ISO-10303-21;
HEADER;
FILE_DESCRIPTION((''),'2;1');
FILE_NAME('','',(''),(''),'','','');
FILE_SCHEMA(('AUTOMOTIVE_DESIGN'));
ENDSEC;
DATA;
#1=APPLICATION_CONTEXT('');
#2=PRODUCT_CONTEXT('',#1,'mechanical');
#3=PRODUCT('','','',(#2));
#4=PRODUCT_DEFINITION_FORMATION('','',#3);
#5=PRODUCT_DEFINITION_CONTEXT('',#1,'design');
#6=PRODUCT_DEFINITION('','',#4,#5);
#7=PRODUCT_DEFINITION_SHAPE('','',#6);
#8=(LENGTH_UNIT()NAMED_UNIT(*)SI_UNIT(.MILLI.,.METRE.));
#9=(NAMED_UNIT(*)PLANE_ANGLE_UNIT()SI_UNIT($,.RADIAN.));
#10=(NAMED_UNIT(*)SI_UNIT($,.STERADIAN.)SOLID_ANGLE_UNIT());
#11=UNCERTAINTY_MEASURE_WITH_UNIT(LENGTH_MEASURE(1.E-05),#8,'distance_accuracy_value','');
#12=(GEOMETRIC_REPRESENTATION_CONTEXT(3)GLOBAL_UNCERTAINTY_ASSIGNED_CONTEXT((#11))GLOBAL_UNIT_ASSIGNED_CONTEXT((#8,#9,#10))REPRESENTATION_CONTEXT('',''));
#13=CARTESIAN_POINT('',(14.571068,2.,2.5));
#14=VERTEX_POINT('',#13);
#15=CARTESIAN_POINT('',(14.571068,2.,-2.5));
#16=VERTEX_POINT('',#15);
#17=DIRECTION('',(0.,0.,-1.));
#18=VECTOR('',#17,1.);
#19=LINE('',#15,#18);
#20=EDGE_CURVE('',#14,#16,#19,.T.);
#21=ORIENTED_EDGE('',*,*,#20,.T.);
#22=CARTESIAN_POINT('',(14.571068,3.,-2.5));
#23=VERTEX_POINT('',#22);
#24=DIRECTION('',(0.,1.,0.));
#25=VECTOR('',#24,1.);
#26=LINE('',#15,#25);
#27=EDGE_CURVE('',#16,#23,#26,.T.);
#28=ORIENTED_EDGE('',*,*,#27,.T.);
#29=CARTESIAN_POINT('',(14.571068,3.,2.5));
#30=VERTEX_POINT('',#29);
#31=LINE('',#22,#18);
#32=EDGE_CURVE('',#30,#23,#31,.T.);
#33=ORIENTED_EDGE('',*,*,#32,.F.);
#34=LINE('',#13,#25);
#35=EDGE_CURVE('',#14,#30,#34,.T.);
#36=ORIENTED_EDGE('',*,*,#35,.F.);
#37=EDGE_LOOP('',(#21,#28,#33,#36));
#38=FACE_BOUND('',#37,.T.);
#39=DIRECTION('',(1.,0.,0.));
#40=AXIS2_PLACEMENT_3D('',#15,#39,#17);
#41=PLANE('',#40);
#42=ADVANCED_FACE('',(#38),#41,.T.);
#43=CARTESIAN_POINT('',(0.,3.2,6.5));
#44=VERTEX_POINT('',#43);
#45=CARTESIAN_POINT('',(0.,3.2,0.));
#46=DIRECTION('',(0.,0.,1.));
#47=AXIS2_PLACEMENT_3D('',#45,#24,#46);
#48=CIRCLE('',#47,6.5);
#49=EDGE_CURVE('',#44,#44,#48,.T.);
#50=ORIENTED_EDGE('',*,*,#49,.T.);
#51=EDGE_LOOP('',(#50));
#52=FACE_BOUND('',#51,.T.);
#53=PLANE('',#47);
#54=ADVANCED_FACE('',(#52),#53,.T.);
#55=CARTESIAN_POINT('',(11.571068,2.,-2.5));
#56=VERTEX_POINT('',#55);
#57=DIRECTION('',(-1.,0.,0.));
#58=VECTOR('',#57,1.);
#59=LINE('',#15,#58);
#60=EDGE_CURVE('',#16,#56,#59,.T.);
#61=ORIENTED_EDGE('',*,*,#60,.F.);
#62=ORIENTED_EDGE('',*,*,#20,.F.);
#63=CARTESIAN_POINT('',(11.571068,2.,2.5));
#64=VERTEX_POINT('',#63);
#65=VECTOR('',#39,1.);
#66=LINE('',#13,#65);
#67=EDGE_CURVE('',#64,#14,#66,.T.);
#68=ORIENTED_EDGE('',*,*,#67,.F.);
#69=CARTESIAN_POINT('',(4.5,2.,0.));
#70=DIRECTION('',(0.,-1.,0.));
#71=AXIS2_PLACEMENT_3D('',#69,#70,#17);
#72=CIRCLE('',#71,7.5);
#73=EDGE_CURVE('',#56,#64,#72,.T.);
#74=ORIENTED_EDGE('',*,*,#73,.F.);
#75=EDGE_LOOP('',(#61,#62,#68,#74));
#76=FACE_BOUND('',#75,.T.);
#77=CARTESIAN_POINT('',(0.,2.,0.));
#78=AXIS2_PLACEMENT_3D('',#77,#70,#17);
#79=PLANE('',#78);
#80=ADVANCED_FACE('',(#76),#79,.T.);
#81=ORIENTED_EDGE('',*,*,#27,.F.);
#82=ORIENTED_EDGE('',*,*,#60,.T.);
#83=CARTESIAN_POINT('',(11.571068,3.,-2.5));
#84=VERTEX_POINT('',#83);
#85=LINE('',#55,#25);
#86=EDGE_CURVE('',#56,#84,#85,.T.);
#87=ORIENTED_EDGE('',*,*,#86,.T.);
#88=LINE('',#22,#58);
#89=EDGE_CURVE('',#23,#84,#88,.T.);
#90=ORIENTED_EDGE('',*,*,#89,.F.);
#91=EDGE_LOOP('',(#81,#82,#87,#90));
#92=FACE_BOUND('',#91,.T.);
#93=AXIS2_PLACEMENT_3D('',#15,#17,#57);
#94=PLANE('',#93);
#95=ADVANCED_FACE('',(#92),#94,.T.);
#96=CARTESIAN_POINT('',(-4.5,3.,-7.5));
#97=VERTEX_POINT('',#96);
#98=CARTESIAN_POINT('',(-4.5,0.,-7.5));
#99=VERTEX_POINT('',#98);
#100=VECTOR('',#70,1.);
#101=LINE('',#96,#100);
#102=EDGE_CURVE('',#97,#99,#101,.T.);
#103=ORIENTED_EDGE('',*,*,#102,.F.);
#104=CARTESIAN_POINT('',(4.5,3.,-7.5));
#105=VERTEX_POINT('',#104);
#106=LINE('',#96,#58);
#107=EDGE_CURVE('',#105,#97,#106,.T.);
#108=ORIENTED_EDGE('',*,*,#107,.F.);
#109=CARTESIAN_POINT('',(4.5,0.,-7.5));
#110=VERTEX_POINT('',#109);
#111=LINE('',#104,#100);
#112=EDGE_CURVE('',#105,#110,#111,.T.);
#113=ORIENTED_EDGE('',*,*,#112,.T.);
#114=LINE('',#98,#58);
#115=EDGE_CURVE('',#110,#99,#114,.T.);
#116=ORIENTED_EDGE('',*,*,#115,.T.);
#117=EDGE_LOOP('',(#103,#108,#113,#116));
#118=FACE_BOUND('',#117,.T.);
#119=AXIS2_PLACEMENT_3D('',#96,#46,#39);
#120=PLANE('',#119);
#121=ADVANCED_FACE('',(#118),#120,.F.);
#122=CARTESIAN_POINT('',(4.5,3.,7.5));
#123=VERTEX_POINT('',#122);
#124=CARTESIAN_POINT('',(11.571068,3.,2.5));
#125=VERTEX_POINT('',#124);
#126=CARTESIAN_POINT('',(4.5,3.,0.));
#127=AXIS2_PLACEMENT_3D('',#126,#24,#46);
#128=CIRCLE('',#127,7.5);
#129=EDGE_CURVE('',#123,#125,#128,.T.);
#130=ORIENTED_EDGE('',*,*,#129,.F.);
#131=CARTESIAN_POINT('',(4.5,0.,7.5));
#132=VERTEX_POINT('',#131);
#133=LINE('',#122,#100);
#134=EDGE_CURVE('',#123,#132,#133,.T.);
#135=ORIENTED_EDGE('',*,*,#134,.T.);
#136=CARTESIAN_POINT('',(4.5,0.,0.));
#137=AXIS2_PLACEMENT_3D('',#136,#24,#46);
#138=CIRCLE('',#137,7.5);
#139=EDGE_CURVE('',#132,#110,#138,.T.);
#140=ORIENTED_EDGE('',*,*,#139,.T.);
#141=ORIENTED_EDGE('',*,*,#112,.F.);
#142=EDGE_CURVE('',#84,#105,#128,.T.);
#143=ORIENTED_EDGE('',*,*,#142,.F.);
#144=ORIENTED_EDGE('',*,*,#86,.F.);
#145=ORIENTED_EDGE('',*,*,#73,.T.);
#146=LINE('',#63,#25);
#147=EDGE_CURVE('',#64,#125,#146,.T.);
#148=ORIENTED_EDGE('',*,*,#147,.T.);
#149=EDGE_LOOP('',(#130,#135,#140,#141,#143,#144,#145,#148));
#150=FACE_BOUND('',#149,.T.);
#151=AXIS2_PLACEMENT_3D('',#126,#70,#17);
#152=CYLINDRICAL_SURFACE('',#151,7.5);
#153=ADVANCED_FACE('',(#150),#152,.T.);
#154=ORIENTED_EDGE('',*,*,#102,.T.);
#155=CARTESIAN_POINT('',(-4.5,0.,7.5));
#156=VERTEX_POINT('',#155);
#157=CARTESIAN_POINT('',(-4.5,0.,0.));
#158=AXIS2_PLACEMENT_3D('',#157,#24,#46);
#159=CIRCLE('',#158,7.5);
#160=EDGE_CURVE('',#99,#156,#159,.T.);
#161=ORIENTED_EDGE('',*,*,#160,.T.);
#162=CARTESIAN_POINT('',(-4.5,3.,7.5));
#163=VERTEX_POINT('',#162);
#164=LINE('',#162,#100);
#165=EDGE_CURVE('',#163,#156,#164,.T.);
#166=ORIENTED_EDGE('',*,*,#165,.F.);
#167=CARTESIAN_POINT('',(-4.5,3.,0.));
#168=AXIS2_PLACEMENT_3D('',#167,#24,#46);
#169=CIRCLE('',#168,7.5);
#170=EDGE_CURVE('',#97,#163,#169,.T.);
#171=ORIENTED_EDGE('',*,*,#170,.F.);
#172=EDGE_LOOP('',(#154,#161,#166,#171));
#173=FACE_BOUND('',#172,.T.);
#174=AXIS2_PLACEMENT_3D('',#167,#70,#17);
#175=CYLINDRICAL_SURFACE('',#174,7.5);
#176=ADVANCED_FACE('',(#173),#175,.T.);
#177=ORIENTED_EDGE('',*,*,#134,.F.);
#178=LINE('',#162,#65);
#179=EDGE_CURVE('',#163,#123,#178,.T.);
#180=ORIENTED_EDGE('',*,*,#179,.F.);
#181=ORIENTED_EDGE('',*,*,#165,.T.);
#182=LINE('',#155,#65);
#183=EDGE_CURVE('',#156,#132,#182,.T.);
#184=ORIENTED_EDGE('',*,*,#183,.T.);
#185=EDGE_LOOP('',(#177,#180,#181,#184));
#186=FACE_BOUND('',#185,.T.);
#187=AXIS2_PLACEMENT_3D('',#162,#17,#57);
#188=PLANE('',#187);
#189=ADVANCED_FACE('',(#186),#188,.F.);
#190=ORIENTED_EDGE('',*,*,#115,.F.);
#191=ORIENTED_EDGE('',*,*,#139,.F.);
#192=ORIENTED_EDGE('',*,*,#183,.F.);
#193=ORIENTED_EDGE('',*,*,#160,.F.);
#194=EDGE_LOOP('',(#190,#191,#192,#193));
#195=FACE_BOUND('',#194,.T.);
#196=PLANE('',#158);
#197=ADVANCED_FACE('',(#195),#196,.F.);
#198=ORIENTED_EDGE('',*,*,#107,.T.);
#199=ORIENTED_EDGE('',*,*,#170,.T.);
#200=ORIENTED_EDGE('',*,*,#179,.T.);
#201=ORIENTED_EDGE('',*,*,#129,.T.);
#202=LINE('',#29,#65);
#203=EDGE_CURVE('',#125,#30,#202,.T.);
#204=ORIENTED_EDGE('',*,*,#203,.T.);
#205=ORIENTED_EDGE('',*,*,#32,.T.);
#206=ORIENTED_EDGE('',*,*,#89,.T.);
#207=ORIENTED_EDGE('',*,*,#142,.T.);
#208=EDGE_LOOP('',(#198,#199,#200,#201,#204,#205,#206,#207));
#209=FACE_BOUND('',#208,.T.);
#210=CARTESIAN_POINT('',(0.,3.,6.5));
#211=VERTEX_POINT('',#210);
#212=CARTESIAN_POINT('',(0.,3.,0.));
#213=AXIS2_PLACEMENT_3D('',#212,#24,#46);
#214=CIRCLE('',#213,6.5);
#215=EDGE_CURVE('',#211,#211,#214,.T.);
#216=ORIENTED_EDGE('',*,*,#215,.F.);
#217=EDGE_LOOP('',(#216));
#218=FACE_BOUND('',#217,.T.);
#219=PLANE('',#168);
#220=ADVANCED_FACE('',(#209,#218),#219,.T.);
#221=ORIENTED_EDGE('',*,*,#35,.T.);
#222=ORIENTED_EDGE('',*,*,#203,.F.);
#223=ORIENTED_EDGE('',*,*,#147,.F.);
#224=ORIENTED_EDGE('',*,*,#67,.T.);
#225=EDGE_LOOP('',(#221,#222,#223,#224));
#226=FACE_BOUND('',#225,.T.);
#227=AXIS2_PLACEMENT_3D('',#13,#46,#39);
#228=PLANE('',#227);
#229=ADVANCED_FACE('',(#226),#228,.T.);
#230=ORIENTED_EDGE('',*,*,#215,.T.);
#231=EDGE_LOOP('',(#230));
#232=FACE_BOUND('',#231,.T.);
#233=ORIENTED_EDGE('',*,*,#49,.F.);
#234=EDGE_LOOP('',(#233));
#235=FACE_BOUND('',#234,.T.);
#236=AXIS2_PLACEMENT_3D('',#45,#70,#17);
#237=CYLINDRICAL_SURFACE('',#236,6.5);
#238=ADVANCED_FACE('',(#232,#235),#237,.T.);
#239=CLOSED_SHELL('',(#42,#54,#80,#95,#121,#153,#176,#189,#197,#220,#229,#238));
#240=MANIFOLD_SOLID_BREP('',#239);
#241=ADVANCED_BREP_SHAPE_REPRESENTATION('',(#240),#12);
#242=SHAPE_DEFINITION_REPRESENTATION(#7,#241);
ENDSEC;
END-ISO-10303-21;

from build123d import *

# Parameters (mm, degrees)
EXTRUDE_1_DEPTH = 3
SKETCH_2_R      = 6.5
EXTRUDE_2_DEPTH = 0.2
SKETCH_4_W      = 3
SKETCH_4_H      = 5
EXTRUDE_3_DEPTH = 1


with BuildPart() as part:
    # 草图1 → 凸台-拉伸1 (new body)
    with BuildSketch(Plane(origin=(0, 0, 0), x_dir=(1, 0, 0), z_dir=(0, 1, 0))):
        with BuildLine():
            Line((-4.5, 7.5), (4.5, 7.5))
            ThreePointArc((4.5, 7.5), (12, 0), (4.5, -7.5))
            Line((4.5, -7.5), (-4.5, -7.5))
            ThreePointArc((-4.5, -7.5), (-12, 0), (-4.5, 7.5))
        make_face()
    extrude(amount=EXTRUDE_1_DEPTH)

    # 草图2 → 凸台-拉伸2 (add)
    with BuildSketch(Plane(origin=(0, 3, 0), x_dir=(1, 0, 0), z_dir=(0, 1, 0))):
        with Locations(Location((0, 0, 0), (0, 0, 270))):
            Circle(SKETCH_2_R)
    extrude(amount=EXTRUDE_2_DEPTH)

    # 草图4 → 凸台-拉伸3 (add)
    with BuildSketch(Plane(origin=(0, 3, 0), x_dir=(1, 0, 0), z_dir=(0, 1, 0))):
        with Locations((13.071067812, 0)):
            Rectangle(SKETCH_4_W, SKETCH_4_H)
    extrude(amount=-EXTRUDE_3_DEPTH)


solid = part.part
